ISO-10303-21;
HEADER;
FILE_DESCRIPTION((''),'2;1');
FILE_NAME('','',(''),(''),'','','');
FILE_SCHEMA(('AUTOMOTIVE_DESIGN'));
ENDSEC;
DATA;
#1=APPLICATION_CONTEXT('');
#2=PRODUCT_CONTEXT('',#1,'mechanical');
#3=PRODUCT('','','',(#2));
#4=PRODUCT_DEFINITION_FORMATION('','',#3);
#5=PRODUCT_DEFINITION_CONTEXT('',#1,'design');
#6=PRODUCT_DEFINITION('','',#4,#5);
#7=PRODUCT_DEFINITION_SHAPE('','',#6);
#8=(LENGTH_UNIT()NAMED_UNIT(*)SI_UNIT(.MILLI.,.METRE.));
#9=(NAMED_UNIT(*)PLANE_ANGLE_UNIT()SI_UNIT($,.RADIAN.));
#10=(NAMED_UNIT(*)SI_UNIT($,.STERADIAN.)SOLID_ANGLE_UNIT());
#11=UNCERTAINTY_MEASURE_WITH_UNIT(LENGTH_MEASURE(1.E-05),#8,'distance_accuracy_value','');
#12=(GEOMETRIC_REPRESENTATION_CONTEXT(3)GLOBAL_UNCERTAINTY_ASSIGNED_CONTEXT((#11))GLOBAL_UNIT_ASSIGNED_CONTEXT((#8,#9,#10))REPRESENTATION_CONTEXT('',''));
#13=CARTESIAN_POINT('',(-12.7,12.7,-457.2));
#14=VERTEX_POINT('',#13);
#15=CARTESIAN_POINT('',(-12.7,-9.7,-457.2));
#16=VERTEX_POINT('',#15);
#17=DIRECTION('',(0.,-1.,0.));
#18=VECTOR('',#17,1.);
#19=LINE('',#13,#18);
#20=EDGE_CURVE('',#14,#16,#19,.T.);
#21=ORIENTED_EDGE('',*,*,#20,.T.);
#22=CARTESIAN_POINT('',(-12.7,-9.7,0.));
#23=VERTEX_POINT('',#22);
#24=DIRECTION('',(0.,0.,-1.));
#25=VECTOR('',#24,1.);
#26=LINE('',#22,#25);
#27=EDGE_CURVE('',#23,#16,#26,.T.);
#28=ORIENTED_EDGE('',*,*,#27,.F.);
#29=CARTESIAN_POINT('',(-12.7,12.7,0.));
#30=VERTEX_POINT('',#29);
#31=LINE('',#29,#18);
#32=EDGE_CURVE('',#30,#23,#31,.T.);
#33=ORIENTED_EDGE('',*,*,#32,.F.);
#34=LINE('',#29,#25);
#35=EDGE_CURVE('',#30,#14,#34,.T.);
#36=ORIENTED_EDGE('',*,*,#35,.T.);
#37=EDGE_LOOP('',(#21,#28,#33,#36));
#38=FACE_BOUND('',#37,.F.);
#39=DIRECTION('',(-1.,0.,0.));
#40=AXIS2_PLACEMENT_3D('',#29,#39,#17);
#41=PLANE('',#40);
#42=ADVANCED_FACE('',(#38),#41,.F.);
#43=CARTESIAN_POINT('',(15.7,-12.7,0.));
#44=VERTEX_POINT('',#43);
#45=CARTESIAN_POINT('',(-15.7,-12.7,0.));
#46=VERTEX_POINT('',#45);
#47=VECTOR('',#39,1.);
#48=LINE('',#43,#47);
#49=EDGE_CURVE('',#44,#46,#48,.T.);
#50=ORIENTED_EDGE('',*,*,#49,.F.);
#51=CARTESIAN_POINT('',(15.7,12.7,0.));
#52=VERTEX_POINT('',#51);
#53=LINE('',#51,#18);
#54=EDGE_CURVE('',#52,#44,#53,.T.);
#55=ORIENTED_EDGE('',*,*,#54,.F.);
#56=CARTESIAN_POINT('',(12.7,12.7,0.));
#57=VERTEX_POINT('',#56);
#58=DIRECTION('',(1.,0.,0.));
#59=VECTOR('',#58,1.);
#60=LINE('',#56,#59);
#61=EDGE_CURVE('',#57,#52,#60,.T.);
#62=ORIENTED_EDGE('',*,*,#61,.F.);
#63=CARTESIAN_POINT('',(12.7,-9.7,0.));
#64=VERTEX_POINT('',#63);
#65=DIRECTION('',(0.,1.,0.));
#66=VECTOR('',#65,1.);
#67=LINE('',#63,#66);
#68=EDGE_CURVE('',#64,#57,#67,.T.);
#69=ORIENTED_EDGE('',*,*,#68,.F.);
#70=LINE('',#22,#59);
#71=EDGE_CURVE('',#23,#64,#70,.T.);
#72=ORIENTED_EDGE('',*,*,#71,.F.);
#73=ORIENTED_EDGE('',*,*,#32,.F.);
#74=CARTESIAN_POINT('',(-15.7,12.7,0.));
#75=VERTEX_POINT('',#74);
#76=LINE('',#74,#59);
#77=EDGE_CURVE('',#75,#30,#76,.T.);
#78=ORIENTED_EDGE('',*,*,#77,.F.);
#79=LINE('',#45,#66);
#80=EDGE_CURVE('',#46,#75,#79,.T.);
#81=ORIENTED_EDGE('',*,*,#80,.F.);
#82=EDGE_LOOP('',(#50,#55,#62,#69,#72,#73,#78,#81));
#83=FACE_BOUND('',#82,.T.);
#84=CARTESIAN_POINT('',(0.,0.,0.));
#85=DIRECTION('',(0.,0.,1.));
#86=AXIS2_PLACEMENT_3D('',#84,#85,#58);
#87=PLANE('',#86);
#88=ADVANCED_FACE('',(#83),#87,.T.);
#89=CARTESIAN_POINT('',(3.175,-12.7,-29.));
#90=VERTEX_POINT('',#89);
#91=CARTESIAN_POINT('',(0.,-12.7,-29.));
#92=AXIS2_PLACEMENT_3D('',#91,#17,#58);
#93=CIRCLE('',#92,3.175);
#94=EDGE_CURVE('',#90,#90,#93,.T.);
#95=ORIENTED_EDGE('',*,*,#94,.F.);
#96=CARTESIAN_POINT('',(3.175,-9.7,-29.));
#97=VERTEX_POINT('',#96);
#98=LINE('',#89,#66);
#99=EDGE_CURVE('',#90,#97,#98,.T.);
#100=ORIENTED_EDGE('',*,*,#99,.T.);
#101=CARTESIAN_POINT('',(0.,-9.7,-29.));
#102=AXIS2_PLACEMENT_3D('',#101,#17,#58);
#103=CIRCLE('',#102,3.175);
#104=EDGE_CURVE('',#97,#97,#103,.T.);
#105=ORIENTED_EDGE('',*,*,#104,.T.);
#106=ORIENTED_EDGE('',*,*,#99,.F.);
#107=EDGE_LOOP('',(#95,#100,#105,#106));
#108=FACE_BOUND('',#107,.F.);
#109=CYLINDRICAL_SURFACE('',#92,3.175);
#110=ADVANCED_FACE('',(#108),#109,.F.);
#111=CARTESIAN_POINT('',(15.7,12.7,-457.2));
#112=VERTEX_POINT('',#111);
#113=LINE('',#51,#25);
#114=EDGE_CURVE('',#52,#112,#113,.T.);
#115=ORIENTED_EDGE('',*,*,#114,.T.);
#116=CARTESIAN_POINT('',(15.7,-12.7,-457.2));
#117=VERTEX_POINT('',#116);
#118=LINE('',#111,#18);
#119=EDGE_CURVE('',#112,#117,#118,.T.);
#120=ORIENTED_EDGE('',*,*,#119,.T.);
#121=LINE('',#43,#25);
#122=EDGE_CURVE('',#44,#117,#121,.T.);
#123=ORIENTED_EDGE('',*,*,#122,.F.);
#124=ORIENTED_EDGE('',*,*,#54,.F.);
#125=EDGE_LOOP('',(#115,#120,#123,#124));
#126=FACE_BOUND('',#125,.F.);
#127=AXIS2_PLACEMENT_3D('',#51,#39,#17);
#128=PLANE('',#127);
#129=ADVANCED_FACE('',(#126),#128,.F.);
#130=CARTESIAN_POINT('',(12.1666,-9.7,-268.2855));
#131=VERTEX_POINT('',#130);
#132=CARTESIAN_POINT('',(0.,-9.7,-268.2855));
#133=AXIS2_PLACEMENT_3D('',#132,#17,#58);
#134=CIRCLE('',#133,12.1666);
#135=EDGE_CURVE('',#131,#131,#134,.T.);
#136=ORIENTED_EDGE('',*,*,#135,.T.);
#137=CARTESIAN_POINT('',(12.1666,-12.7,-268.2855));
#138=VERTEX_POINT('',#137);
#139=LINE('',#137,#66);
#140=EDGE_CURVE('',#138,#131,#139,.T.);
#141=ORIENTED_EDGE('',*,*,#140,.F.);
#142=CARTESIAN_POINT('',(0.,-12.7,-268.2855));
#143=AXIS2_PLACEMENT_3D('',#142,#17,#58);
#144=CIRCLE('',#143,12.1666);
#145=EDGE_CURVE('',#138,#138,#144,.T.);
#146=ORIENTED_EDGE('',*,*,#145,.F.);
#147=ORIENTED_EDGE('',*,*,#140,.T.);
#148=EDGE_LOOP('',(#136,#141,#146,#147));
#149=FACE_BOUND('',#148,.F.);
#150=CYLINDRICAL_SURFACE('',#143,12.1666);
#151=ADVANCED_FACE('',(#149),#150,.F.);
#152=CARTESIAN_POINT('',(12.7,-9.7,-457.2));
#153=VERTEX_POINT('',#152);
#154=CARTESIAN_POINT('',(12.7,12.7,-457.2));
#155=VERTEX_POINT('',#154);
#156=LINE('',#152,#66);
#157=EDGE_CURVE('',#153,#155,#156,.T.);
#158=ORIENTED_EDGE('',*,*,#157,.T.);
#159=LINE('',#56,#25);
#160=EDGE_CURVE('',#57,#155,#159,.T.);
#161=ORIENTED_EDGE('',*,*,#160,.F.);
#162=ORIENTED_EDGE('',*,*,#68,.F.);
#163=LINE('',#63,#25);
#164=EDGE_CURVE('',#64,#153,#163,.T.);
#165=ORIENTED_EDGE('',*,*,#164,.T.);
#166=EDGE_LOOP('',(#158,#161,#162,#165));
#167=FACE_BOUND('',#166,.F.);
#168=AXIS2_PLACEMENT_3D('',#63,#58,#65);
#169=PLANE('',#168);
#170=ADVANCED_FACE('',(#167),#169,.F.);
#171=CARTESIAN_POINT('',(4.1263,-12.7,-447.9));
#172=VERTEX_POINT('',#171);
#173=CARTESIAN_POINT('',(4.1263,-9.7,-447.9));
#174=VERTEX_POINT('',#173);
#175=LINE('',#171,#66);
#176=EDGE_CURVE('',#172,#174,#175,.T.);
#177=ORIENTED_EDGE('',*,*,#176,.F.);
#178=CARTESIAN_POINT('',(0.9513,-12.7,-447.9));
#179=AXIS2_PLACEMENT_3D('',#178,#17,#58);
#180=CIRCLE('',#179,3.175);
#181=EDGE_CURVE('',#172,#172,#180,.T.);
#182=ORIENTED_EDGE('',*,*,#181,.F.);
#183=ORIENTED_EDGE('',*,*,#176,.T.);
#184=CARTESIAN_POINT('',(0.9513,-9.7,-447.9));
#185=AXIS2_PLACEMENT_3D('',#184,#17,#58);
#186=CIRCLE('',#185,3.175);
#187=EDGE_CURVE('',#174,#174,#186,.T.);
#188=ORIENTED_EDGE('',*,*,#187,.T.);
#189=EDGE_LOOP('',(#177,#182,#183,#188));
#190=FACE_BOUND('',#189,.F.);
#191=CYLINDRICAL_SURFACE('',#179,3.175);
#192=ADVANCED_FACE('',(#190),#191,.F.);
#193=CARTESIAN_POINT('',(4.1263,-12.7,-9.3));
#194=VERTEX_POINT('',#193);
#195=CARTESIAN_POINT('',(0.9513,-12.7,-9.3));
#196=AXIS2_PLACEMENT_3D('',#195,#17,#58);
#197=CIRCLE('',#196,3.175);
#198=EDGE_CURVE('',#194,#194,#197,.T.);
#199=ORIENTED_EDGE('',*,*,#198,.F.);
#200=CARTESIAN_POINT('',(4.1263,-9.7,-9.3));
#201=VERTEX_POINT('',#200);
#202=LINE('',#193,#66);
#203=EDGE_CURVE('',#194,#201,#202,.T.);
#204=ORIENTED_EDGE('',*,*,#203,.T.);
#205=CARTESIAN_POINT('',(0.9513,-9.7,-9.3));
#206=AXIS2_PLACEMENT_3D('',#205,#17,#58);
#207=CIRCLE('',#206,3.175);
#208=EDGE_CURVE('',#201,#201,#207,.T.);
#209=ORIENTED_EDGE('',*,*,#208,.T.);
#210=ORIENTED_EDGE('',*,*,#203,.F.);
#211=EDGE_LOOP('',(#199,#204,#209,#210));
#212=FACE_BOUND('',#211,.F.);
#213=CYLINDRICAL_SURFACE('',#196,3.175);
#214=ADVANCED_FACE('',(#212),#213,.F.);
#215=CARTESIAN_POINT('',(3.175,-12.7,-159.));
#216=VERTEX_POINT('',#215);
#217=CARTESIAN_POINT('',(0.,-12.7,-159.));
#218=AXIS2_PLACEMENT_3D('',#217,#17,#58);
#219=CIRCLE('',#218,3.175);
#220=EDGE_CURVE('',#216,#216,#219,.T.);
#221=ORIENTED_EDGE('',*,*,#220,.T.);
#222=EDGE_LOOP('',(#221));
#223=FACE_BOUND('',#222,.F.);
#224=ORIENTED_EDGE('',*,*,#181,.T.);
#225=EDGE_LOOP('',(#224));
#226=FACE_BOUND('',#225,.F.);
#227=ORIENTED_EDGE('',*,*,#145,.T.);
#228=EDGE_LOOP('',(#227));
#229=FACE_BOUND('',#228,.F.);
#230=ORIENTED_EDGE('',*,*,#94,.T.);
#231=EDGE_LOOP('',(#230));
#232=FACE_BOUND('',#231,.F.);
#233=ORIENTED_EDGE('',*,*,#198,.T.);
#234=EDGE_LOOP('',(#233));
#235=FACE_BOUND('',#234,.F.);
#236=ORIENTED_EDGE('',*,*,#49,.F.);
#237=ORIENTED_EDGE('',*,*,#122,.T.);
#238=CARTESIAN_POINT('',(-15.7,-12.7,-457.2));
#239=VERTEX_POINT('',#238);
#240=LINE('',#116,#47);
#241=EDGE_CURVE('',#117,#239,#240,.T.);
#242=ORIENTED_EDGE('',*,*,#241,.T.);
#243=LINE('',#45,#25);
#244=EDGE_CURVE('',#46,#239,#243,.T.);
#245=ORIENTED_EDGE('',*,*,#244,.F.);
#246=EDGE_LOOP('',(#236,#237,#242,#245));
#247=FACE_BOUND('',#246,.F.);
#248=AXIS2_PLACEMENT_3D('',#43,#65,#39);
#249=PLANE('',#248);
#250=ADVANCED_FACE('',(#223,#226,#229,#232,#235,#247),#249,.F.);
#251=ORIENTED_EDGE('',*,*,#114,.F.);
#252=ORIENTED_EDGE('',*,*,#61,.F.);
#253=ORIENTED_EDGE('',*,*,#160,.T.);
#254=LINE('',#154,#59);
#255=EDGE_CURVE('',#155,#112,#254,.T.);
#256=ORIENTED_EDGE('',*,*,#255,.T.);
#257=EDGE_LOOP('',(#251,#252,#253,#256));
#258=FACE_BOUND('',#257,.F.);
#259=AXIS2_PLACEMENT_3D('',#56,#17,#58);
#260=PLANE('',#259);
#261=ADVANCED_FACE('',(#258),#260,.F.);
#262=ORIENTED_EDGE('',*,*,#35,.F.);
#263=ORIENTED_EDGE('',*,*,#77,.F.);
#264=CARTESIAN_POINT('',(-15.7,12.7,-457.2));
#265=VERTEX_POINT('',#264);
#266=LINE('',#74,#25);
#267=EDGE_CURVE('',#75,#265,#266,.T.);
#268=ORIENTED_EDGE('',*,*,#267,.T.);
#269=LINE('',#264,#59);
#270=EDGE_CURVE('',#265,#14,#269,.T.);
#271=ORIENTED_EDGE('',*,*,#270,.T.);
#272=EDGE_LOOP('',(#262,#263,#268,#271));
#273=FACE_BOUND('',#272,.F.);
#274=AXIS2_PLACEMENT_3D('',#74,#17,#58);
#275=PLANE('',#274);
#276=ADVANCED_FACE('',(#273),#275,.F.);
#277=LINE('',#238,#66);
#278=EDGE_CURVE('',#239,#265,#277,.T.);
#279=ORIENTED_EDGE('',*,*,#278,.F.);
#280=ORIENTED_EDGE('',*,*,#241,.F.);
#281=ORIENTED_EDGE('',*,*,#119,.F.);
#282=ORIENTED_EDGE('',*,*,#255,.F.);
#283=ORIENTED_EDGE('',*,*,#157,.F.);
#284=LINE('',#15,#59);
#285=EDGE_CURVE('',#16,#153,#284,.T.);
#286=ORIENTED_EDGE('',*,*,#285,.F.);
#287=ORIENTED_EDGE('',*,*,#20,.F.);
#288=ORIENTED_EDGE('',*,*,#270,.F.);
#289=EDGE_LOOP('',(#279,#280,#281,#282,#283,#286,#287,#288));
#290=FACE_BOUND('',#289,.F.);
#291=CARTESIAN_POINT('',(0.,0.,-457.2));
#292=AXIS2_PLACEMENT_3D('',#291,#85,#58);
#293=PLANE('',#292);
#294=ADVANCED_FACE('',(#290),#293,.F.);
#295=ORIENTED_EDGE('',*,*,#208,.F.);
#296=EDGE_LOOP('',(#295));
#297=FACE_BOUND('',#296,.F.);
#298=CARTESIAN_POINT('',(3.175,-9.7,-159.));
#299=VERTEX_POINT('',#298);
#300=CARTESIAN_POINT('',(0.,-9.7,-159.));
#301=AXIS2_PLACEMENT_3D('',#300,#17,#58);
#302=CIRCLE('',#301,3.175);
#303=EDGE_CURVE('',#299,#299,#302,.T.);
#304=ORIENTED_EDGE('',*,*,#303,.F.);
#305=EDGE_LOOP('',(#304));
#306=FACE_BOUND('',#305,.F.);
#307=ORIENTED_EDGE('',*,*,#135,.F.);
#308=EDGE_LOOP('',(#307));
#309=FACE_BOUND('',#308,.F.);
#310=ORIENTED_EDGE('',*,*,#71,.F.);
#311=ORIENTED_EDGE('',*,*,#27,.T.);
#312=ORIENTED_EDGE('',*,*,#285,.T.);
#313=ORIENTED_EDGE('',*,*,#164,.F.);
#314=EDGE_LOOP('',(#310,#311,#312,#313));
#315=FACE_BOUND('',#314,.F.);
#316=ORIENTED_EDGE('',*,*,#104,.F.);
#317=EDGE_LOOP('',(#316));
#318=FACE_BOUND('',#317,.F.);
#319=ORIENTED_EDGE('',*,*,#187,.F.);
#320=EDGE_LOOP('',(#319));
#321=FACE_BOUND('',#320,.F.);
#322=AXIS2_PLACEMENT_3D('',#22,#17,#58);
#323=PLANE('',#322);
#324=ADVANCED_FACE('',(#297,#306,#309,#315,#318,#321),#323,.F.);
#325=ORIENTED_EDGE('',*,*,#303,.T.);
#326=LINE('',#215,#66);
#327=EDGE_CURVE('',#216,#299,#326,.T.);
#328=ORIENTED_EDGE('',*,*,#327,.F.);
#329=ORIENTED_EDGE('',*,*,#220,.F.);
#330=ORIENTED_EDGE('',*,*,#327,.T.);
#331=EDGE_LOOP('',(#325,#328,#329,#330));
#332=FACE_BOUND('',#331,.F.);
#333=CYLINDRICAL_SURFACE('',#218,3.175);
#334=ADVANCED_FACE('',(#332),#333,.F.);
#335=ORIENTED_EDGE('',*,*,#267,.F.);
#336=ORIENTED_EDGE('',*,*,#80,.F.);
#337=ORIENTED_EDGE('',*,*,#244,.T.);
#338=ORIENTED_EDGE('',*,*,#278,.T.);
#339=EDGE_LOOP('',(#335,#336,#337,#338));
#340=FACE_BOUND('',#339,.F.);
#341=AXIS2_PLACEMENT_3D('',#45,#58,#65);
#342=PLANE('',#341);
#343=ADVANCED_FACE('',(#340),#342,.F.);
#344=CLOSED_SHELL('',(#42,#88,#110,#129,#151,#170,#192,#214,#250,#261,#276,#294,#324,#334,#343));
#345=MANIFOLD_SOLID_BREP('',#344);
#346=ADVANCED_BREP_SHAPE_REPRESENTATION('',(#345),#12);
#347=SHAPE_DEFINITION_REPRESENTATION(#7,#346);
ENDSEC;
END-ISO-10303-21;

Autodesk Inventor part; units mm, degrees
ref_plane "YZ Plane" through (0, 0, 0) normal (1, 0, 0) x (0, 1, 0)
ref_plane "XZ Plane" through (0, 0, 0) normal (0, 1, 0) x (-1, 0, 0)
ref_plane "XY Plane" through (0, 0, 0) normal (0, 0, 1) x (1, 0, 0)
sketch "Sketch1" plane through (0, 0, 0) normal (0, 0, 1) x (1, 0, 0)
  line L0 (-15.7, 12.7) -> (-12.7, 12.7)
  line L1 (-12.7, 12.7) -> (-12.7, -9.7)
  line L2 (-12.7, -9.7) -> (12.7, -9.7)
  line L3 (12.7, -9.7) -> (12.7, 12.7)
  line L4 (12.7, 12.7) -> (15.7, 12.7)
  line L5 (15.7, 12.7) -> (15.7, -12.7)
  line L6 (15.7, -12.7) -> (-15.7, -12.7)
  line L7 (-15.7, -12.7) -> (-15.7, 12.7)
  point P0 (0, 0)
  dimension "d0" = 3
  dimension "d2" = 3
  dimension "d3" = 25.4
  dimension "d4" = 31.4
  dimension "d5" = 15.7
  dimension "d7" = 12.7
  dimension "d8" = 3
extrude "Extrusion1" add sketch "Sketch1" against normal blind 457.2
sketch "Sketch6" plane through (-15.7, -12.7, 0) normal (0, -1, 0) x (1, 0, 0)
  circle A0 centre (16.6513, -447.9) radius 3.175
  point P0 (15.7, 0)
  dimension "d21" = 6.35
extrude "Extrusion4" cut sketch "Sketch6" against normal blind 10
sketch "Sketch7" plane through (-15.7, -12.7, 0) normal (0, -1, 0) x (1, 0, 0)
  line L0 (31.4, -134) -> (0, -134) construction
  line L1 (31.4, -184) -> (0, -184) construction
  line L2 (0, -184) -> (0, -134) construction
  line L3 (0, -159) -> (15.7, -159) construction
  line L4 (15.7, -159) -> (15.7, -184) construction
  circle A0 centre (15.7, -159) radius 3.175
  point P0 (15.7, 0)
  dimension "d25" = 6.35
extrude "Extrusion5" cut sketch "Sketch7" against normal blind 10
sketch "Sketch8" plane through (-15.7, -12.7, 0) normal (0, -1, 0) x (1, 0, 0)
  circle A0 centre (16.6513, -9.3) radius 3.175
  circle A1 centre (15.7, -29) radius 3.175
  circle A2 centre (16.6513, -9.3) radius 3.175
  circle A3 centre (15.7, -29) radius 3.175
  circle A4 centre (15.7, -159) radius 3.175
  circle A5 centre (16.6513, -447.9) radius 3.175
  line L0 (31.4, 0) -> (0, 0)
  line L1 (0, 0) -> (0, -457.2)
  line L2 (31.4, -457.2) -> (0, -457.2)
  line L3 (31.4, 0) -> (31.4, -457.2)
  circle A6 centre (15.7, -268.2855) radius 12.1666
  point P0 (15.7, 0)
  point P1 (15.7, 0)
  dimension "d33" = 188.9145
  dimension "d34" = 15.7
  dimension "d35" = 31.4
extrude "Extrusion6" cut sketch "Sketch8" against normal blind 10 contours A0 | A1 | A6
equation "\"d2\" = d0"
equation "\"d5\" = 0.5 * d4"
equation "\"d7\" = 0.5 * d3"
equation "\"d8\" = d0"
equation "\"d34\" = 0.5 * d35"
properties part number "18in C-Channel Rear" material "Aluminum 6061"
